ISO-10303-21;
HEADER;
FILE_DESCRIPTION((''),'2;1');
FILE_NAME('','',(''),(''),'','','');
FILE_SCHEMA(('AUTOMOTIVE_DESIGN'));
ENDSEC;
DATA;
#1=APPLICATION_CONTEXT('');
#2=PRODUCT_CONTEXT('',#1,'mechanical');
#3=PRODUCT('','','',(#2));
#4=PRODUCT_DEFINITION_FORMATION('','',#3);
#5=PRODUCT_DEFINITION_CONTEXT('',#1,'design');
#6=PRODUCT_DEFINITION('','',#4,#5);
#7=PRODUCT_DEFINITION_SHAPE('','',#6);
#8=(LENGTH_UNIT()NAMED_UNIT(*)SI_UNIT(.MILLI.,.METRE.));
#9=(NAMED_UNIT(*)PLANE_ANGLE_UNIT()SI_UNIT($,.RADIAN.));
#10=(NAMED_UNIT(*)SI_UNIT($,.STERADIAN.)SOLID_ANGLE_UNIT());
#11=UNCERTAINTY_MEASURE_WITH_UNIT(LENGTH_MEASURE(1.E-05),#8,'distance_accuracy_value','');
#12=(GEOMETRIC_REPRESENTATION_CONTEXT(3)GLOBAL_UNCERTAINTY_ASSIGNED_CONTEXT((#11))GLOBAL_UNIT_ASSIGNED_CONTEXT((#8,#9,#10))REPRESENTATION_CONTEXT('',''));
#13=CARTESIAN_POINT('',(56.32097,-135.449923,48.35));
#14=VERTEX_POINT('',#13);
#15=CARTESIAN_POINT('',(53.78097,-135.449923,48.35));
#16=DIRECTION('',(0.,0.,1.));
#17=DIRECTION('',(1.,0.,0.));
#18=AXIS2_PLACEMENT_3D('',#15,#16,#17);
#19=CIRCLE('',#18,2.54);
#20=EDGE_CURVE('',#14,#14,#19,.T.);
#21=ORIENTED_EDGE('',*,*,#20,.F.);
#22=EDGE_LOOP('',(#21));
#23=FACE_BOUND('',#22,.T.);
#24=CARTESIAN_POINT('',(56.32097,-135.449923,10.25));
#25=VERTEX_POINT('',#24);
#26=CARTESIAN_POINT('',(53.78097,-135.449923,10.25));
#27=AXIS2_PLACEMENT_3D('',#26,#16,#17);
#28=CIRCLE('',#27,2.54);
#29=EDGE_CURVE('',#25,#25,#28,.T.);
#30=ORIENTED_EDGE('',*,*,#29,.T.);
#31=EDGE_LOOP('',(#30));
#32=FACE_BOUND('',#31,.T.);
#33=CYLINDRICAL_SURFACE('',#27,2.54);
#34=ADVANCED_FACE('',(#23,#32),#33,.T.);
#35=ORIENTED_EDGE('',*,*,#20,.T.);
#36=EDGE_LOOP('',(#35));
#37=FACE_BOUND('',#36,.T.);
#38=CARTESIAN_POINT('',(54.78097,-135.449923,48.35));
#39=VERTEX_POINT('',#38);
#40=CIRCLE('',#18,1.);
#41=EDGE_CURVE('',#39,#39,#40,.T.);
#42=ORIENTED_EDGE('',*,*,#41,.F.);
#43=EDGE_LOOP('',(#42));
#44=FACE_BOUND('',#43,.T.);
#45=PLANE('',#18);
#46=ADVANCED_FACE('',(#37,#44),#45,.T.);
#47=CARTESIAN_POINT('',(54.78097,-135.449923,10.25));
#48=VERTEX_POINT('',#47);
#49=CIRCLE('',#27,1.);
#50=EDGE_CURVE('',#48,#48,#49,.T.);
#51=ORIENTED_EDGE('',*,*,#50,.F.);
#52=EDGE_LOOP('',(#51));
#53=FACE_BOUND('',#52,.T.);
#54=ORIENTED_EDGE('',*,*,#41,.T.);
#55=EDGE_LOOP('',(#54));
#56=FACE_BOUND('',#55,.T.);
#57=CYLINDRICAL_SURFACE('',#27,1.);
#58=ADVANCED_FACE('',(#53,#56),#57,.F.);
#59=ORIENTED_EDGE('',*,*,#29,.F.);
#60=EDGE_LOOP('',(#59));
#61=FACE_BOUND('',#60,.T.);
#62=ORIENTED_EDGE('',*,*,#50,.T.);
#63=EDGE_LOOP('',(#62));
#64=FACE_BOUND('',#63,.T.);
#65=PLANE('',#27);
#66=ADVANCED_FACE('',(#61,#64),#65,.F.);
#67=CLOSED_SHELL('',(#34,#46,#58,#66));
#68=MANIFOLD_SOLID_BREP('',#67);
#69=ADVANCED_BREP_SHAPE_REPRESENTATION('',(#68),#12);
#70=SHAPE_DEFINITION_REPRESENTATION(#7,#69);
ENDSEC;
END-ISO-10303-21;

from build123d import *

# Parameters (mm, degrees)
SKETCH1_R           = 2.54
SKETCH1_R_2         = 1
BOSS_EXTRUDE1_DEPTH = 38.1


with BuildPart() as part:
    # Sketch1 → Boss-Extrude1 (new body)
    with BuildSketch(Plane.XY.offset(48.35)):
        with Locations((53.780969954, -135.449923089)):
            Circle(SKETCH1_R)
        with Locations((53.780969954, -135.449923089)):
            Circle(SKETCH1_R_2, mode=Mode.SUBTRACT)
    extrude(amount=-BOSS_EXTRUDE1_DEPTH)


solid = part.part
